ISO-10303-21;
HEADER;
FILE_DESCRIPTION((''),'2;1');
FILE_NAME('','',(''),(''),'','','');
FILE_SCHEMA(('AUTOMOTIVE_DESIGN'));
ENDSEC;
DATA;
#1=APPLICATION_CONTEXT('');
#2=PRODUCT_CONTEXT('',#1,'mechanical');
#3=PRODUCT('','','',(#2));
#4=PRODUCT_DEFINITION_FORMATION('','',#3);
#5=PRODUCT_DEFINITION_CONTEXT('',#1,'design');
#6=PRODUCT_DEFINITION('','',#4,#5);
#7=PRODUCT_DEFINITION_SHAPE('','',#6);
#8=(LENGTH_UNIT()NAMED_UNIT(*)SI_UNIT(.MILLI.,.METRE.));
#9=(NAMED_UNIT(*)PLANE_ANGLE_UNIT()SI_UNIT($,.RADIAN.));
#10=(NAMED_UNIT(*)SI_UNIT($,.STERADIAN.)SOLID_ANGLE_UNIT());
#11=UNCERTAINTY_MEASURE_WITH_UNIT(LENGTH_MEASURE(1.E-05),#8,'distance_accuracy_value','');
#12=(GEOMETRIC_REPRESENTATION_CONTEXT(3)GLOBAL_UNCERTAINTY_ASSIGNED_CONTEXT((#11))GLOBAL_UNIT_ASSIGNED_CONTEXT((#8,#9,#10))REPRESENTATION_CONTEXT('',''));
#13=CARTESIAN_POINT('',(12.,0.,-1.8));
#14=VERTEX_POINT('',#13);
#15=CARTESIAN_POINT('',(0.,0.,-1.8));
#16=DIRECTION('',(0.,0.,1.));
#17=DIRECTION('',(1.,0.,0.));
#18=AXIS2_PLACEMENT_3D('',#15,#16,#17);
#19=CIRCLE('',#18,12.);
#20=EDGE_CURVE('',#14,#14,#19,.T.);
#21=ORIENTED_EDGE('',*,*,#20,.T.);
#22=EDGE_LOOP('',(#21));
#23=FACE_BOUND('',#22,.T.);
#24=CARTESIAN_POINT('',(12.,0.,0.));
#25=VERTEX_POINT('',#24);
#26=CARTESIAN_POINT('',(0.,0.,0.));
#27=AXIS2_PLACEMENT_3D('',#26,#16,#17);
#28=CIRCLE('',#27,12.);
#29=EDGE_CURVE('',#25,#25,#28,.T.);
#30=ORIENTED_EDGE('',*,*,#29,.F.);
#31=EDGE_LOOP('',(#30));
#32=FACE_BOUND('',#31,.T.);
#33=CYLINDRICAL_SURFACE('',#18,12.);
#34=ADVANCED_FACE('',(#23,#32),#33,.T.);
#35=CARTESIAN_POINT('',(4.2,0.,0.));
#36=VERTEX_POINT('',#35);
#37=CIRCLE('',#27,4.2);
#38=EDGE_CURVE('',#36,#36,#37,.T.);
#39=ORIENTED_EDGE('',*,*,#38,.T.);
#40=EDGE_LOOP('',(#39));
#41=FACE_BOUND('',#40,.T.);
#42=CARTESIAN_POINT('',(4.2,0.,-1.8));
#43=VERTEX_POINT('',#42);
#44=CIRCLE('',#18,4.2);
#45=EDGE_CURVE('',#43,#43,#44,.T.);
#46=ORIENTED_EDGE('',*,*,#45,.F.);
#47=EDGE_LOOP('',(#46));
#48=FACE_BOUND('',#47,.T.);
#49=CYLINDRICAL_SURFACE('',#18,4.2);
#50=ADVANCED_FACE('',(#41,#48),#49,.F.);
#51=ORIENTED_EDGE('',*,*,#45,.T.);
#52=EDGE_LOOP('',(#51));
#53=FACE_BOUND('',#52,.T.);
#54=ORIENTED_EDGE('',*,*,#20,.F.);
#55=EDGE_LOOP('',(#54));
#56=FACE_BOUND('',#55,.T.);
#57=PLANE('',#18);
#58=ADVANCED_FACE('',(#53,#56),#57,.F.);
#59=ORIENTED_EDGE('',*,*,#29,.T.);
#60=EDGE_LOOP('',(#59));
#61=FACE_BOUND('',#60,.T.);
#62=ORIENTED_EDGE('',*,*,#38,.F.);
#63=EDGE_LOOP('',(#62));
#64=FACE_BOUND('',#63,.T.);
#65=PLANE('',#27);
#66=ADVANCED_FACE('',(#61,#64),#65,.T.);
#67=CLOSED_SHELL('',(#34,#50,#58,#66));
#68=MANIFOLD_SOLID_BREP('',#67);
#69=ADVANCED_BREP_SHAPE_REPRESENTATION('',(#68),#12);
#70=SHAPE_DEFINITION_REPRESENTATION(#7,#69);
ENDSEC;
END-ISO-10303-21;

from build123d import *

# Parameters (mm, degrees)
SKETCH1_R      = 12
SKETCH1_R_2    = 4.2
EXTRUDE1_DEPTH = 1.8


with BuildPart() as part:
    # Sketch1 → Extrude1 (new body)
    with BuildSketch(Plane.XY):
        Circle(SKETCH1_R)
        Circle(SKETCH1_R_2, mode=Mode.SUBTRACT)
    extrude(amount=-EXTRUDE1_DEPTH)


solid = part.part
